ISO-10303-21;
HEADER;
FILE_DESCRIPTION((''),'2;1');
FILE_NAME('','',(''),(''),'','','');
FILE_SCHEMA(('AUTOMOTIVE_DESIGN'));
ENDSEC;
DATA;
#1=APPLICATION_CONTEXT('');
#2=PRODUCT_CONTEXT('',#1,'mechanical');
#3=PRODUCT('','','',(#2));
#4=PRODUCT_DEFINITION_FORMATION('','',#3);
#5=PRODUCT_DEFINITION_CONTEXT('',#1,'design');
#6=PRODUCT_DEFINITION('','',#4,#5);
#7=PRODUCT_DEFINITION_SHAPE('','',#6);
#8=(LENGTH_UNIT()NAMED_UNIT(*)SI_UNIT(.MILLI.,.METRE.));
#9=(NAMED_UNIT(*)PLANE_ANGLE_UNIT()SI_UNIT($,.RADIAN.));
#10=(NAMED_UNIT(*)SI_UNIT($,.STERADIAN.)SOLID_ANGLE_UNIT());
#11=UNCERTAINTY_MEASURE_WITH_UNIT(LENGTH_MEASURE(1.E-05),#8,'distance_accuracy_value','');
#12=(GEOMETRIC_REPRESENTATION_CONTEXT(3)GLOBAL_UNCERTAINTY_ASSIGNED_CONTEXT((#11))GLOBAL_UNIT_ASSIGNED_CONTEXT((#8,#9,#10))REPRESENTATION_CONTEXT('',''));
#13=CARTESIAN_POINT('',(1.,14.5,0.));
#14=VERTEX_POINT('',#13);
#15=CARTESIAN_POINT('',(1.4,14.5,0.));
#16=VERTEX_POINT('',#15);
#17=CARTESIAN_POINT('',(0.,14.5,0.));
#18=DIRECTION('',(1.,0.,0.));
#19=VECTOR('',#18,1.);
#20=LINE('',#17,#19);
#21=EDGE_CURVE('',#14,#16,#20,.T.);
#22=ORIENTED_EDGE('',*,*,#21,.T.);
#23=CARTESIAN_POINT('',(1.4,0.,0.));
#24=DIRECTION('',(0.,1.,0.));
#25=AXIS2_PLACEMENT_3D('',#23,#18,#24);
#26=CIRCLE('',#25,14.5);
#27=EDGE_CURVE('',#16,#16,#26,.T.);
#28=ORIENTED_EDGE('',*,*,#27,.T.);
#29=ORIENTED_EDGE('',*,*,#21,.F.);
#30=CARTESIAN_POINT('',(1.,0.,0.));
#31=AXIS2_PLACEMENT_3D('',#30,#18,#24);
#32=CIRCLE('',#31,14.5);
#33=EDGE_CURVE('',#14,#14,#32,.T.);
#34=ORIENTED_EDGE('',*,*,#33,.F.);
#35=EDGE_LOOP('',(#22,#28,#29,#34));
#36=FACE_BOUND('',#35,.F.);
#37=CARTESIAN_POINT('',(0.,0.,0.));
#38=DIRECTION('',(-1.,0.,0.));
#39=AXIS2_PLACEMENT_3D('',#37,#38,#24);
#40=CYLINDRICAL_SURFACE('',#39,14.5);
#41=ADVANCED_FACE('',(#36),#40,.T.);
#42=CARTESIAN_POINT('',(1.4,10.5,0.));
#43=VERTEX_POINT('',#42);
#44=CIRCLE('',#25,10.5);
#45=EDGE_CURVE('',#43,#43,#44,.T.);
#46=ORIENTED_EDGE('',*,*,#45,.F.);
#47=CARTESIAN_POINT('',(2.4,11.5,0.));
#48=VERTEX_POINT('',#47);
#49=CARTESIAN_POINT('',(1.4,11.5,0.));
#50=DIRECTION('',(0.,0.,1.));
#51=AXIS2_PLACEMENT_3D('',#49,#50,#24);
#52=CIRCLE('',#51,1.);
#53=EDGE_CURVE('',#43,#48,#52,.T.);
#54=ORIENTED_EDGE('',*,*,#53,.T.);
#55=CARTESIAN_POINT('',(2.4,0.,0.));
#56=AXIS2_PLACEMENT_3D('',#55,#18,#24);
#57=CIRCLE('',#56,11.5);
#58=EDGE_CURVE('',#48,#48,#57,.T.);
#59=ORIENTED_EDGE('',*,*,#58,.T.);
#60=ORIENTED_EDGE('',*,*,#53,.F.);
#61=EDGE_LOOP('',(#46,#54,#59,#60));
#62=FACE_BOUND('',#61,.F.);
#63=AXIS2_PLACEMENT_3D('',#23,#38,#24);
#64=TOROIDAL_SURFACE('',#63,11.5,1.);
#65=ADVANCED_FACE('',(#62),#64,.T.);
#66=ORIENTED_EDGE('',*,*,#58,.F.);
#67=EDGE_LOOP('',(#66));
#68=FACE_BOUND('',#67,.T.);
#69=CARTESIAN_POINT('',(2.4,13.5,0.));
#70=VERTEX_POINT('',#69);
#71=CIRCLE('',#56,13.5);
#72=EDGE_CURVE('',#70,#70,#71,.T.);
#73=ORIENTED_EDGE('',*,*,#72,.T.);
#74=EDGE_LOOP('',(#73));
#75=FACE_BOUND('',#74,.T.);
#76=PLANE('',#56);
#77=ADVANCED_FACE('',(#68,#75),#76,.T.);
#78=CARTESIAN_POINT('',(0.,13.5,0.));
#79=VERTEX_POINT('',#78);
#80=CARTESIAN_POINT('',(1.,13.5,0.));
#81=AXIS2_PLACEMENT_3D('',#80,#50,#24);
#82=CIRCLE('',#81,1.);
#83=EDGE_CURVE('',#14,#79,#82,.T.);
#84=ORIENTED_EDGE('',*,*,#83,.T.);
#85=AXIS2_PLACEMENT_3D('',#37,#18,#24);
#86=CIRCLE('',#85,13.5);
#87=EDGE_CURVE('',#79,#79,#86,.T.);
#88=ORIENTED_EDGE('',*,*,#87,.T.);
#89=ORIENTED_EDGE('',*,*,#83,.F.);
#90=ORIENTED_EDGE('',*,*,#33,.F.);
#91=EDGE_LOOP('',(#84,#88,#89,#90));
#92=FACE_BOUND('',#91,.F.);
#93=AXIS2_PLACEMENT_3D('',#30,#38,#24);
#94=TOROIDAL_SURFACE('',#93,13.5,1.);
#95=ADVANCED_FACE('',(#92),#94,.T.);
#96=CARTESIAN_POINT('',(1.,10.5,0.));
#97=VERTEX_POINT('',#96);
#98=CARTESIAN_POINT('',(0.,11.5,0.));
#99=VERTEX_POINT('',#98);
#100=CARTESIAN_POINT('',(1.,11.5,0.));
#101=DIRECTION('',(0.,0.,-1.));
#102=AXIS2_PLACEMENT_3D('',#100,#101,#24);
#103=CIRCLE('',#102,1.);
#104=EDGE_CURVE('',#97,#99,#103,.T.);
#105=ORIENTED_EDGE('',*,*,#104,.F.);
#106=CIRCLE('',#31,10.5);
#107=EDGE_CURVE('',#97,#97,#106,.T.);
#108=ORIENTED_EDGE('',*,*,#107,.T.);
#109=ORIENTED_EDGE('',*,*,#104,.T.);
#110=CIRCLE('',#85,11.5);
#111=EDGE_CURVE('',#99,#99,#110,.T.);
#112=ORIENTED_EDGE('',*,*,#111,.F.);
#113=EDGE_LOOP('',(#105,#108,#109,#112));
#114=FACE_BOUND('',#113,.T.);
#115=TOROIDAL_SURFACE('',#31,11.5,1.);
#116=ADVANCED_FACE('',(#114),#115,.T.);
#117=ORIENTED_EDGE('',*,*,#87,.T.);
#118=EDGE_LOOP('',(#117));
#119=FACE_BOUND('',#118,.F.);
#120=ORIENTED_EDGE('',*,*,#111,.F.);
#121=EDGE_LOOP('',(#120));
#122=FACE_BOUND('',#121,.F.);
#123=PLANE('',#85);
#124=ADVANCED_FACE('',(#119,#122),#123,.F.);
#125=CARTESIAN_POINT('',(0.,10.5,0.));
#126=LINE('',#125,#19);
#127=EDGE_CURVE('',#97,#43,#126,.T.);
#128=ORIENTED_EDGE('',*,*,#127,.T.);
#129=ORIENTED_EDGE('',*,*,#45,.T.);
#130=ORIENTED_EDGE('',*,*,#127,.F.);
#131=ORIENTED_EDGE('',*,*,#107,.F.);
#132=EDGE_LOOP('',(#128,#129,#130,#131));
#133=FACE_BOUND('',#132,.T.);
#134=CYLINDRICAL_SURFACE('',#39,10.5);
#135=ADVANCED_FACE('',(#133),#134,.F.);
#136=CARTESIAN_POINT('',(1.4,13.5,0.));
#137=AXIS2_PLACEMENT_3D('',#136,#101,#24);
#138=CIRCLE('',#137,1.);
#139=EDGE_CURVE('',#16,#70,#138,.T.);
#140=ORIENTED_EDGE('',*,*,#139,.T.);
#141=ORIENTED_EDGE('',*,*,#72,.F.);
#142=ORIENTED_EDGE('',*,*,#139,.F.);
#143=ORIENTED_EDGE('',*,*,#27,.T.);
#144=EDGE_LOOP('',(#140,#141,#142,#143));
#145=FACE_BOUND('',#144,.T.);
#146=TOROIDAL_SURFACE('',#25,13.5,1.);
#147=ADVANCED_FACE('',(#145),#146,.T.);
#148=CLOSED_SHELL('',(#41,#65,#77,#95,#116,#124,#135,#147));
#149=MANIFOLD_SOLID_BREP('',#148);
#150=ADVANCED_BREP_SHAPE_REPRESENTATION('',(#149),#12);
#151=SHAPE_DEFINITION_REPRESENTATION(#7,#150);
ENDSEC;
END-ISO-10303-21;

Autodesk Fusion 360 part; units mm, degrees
sketch "Sketch1" plane through (0, 0, 0) normal (1, 0, 0) x (0, 1, 0)
  circle A0 centre (0, 0) radius 10.5
  circle A1 centre (0, 0) radius 14.5
  dimension "d1" = 21
  dimension "d2" = 29
extrude "Extrude1" add sketch "Sketch1" along normal blind 2.4
fillet "Fillet1" radius 1 2 faces at (2.4, 13.0736, -1.242) (0, 13.0736, -1.242)
